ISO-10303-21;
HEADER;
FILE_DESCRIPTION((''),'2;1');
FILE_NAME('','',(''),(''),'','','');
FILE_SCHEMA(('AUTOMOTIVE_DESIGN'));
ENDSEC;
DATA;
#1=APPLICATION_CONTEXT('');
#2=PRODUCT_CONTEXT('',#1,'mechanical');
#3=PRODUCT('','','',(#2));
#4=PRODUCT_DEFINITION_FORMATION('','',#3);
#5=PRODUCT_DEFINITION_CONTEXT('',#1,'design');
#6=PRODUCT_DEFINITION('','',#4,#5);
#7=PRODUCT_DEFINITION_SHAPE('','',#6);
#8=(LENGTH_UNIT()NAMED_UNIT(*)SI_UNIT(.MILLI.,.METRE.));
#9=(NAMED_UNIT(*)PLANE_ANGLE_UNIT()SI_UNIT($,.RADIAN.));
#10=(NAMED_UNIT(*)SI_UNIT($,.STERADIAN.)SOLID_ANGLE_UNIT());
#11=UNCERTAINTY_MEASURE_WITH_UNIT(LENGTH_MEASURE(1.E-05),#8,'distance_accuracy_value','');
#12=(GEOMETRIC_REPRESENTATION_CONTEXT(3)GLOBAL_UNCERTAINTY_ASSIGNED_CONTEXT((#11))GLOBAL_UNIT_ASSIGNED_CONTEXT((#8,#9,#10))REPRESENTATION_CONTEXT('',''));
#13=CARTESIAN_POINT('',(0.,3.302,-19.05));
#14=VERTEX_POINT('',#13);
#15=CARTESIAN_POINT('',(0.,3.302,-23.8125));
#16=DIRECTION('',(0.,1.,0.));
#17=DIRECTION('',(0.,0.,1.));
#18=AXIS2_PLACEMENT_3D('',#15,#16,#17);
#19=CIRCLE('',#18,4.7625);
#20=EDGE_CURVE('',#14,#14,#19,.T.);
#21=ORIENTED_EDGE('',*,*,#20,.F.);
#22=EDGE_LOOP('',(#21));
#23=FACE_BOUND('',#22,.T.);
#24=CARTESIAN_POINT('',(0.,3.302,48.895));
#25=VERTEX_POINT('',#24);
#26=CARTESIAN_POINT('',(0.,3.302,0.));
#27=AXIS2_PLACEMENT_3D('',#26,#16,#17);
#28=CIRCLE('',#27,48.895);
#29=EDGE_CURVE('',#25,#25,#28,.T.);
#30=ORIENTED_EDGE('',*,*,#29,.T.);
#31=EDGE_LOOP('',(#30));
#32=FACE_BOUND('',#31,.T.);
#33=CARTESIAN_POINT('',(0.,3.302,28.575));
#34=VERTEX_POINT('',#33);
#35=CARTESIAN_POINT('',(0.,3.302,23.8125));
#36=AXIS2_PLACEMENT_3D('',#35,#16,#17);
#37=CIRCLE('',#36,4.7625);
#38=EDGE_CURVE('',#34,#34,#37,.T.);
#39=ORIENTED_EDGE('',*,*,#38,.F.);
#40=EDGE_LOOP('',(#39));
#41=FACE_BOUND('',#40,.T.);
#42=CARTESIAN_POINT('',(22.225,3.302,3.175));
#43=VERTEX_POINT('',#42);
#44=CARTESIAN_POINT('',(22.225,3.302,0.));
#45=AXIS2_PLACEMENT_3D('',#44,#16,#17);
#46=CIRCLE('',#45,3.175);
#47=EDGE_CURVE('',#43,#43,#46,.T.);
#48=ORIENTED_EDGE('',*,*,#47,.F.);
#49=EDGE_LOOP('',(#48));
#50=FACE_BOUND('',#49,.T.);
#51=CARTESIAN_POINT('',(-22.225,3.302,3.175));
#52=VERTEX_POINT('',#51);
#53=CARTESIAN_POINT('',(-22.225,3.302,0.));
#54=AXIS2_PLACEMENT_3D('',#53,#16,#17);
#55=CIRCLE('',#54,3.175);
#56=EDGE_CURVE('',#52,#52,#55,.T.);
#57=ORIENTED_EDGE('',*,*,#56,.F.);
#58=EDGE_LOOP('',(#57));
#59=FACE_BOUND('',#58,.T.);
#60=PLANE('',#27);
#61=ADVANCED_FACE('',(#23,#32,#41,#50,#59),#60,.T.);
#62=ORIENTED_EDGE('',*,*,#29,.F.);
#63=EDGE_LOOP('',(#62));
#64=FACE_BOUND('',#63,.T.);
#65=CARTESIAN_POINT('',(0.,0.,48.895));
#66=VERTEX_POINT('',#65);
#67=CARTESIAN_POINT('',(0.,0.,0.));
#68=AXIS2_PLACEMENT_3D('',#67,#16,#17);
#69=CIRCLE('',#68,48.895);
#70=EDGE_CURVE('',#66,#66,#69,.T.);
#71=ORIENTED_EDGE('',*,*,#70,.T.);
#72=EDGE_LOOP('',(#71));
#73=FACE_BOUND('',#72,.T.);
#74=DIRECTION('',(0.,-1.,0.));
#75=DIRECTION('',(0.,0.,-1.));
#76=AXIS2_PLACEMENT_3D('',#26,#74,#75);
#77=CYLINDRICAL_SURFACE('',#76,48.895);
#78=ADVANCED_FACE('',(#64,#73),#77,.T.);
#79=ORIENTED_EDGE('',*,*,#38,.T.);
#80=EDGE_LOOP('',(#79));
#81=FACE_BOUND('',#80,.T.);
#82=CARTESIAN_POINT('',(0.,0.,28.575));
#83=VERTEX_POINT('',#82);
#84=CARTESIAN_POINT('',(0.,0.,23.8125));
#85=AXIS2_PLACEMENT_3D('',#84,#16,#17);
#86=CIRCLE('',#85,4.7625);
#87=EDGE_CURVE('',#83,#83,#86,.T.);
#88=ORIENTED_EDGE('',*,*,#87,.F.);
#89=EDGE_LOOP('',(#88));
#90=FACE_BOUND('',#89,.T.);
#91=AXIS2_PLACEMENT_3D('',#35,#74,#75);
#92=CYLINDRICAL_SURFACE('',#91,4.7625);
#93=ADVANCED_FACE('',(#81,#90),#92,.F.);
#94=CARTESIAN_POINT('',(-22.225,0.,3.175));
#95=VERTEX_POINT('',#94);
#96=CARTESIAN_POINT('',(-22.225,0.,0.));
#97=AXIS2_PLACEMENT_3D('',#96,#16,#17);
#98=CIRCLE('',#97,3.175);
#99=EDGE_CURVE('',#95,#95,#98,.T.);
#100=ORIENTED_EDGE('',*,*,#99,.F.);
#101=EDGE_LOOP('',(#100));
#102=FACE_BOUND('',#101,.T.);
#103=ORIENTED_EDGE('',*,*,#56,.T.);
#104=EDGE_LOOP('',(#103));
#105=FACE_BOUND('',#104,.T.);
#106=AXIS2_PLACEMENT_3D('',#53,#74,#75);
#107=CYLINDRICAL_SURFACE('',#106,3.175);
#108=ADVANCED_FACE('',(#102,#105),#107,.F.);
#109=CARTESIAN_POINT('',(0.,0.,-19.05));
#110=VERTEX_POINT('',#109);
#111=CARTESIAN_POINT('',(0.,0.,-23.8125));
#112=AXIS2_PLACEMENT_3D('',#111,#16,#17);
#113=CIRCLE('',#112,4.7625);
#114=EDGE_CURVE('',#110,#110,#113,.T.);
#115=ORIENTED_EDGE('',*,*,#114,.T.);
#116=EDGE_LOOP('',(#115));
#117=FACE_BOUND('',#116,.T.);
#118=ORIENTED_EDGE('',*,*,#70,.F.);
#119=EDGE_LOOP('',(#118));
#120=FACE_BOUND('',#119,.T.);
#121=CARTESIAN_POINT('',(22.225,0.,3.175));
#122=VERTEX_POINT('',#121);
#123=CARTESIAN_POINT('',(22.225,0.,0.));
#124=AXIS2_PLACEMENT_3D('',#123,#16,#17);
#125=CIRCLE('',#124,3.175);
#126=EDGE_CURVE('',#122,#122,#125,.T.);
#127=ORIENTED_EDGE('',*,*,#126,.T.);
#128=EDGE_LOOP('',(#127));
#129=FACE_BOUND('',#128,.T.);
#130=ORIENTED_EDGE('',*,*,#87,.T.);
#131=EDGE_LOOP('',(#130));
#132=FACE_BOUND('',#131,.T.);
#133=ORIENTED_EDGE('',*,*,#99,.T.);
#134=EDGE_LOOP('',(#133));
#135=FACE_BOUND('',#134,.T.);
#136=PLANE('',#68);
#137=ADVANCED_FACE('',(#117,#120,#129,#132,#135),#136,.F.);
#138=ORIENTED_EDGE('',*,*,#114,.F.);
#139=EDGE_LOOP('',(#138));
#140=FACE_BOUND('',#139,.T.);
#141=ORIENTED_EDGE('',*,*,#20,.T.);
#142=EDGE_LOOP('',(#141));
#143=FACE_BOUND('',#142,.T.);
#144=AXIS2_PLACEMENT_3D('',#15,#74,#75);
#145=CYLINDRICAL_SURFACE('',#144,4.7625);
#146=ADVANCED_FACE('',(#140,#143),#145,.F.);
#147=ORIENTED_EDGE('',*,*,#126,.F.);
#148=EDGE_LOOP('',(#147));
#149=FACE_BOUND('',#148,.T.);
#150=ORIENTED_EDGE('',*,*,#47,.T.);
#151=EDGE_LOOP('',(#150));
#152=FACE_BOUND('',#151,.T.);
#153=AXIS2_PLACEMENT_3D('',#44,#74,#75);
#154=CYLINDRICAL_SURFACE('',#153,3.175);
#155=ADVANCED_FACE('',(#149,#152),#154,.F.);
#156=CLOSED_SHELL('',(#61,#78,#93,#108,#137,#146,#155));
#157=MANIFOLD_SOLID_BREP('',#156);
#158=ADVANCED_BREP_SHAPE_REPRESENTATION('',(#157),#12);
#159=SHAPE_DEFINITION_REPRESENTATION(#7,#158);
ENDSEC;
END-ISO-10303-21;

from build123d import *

# Parameters (mm, degrees)
SKETCH1_R           = 48.895
SKETCH1_R_2         = 3.175
SKETCH1_R_3         = 4.7625
BOSS_EXTRUDE1_DEPTH = 3.302


with BuildPart() as part:
    # Sketch1 → Boss-Extrude1 (new body)
    with BuildSketch(Plane(origin=(0, 0, 0), x_dir=(1, 0, 0), z_dir=(0, 1, 0))):
        Circle(SKETCH1_R)
        with Locations((22.225, 0)):
            Circle(SKETCH1_R_2, mode=Mode.SUBTRACT)
        with Locations((-22.225, 0)):
            Circle(SKETCH1_R_2, mode=Mode.SUBTRACT)
        with Locations((0, -23.8125)):
            Circle(SKETCH1_R_3, mode=Mode.SUBTRACT)
        with Locations((0, 23.8125)):
            Circle(SKETCH1_R_3, mode=Mode.SUBTRACT)
    extrude(amount=BOSS_EXTRUDE1_DEPTH)


solid = part.part
